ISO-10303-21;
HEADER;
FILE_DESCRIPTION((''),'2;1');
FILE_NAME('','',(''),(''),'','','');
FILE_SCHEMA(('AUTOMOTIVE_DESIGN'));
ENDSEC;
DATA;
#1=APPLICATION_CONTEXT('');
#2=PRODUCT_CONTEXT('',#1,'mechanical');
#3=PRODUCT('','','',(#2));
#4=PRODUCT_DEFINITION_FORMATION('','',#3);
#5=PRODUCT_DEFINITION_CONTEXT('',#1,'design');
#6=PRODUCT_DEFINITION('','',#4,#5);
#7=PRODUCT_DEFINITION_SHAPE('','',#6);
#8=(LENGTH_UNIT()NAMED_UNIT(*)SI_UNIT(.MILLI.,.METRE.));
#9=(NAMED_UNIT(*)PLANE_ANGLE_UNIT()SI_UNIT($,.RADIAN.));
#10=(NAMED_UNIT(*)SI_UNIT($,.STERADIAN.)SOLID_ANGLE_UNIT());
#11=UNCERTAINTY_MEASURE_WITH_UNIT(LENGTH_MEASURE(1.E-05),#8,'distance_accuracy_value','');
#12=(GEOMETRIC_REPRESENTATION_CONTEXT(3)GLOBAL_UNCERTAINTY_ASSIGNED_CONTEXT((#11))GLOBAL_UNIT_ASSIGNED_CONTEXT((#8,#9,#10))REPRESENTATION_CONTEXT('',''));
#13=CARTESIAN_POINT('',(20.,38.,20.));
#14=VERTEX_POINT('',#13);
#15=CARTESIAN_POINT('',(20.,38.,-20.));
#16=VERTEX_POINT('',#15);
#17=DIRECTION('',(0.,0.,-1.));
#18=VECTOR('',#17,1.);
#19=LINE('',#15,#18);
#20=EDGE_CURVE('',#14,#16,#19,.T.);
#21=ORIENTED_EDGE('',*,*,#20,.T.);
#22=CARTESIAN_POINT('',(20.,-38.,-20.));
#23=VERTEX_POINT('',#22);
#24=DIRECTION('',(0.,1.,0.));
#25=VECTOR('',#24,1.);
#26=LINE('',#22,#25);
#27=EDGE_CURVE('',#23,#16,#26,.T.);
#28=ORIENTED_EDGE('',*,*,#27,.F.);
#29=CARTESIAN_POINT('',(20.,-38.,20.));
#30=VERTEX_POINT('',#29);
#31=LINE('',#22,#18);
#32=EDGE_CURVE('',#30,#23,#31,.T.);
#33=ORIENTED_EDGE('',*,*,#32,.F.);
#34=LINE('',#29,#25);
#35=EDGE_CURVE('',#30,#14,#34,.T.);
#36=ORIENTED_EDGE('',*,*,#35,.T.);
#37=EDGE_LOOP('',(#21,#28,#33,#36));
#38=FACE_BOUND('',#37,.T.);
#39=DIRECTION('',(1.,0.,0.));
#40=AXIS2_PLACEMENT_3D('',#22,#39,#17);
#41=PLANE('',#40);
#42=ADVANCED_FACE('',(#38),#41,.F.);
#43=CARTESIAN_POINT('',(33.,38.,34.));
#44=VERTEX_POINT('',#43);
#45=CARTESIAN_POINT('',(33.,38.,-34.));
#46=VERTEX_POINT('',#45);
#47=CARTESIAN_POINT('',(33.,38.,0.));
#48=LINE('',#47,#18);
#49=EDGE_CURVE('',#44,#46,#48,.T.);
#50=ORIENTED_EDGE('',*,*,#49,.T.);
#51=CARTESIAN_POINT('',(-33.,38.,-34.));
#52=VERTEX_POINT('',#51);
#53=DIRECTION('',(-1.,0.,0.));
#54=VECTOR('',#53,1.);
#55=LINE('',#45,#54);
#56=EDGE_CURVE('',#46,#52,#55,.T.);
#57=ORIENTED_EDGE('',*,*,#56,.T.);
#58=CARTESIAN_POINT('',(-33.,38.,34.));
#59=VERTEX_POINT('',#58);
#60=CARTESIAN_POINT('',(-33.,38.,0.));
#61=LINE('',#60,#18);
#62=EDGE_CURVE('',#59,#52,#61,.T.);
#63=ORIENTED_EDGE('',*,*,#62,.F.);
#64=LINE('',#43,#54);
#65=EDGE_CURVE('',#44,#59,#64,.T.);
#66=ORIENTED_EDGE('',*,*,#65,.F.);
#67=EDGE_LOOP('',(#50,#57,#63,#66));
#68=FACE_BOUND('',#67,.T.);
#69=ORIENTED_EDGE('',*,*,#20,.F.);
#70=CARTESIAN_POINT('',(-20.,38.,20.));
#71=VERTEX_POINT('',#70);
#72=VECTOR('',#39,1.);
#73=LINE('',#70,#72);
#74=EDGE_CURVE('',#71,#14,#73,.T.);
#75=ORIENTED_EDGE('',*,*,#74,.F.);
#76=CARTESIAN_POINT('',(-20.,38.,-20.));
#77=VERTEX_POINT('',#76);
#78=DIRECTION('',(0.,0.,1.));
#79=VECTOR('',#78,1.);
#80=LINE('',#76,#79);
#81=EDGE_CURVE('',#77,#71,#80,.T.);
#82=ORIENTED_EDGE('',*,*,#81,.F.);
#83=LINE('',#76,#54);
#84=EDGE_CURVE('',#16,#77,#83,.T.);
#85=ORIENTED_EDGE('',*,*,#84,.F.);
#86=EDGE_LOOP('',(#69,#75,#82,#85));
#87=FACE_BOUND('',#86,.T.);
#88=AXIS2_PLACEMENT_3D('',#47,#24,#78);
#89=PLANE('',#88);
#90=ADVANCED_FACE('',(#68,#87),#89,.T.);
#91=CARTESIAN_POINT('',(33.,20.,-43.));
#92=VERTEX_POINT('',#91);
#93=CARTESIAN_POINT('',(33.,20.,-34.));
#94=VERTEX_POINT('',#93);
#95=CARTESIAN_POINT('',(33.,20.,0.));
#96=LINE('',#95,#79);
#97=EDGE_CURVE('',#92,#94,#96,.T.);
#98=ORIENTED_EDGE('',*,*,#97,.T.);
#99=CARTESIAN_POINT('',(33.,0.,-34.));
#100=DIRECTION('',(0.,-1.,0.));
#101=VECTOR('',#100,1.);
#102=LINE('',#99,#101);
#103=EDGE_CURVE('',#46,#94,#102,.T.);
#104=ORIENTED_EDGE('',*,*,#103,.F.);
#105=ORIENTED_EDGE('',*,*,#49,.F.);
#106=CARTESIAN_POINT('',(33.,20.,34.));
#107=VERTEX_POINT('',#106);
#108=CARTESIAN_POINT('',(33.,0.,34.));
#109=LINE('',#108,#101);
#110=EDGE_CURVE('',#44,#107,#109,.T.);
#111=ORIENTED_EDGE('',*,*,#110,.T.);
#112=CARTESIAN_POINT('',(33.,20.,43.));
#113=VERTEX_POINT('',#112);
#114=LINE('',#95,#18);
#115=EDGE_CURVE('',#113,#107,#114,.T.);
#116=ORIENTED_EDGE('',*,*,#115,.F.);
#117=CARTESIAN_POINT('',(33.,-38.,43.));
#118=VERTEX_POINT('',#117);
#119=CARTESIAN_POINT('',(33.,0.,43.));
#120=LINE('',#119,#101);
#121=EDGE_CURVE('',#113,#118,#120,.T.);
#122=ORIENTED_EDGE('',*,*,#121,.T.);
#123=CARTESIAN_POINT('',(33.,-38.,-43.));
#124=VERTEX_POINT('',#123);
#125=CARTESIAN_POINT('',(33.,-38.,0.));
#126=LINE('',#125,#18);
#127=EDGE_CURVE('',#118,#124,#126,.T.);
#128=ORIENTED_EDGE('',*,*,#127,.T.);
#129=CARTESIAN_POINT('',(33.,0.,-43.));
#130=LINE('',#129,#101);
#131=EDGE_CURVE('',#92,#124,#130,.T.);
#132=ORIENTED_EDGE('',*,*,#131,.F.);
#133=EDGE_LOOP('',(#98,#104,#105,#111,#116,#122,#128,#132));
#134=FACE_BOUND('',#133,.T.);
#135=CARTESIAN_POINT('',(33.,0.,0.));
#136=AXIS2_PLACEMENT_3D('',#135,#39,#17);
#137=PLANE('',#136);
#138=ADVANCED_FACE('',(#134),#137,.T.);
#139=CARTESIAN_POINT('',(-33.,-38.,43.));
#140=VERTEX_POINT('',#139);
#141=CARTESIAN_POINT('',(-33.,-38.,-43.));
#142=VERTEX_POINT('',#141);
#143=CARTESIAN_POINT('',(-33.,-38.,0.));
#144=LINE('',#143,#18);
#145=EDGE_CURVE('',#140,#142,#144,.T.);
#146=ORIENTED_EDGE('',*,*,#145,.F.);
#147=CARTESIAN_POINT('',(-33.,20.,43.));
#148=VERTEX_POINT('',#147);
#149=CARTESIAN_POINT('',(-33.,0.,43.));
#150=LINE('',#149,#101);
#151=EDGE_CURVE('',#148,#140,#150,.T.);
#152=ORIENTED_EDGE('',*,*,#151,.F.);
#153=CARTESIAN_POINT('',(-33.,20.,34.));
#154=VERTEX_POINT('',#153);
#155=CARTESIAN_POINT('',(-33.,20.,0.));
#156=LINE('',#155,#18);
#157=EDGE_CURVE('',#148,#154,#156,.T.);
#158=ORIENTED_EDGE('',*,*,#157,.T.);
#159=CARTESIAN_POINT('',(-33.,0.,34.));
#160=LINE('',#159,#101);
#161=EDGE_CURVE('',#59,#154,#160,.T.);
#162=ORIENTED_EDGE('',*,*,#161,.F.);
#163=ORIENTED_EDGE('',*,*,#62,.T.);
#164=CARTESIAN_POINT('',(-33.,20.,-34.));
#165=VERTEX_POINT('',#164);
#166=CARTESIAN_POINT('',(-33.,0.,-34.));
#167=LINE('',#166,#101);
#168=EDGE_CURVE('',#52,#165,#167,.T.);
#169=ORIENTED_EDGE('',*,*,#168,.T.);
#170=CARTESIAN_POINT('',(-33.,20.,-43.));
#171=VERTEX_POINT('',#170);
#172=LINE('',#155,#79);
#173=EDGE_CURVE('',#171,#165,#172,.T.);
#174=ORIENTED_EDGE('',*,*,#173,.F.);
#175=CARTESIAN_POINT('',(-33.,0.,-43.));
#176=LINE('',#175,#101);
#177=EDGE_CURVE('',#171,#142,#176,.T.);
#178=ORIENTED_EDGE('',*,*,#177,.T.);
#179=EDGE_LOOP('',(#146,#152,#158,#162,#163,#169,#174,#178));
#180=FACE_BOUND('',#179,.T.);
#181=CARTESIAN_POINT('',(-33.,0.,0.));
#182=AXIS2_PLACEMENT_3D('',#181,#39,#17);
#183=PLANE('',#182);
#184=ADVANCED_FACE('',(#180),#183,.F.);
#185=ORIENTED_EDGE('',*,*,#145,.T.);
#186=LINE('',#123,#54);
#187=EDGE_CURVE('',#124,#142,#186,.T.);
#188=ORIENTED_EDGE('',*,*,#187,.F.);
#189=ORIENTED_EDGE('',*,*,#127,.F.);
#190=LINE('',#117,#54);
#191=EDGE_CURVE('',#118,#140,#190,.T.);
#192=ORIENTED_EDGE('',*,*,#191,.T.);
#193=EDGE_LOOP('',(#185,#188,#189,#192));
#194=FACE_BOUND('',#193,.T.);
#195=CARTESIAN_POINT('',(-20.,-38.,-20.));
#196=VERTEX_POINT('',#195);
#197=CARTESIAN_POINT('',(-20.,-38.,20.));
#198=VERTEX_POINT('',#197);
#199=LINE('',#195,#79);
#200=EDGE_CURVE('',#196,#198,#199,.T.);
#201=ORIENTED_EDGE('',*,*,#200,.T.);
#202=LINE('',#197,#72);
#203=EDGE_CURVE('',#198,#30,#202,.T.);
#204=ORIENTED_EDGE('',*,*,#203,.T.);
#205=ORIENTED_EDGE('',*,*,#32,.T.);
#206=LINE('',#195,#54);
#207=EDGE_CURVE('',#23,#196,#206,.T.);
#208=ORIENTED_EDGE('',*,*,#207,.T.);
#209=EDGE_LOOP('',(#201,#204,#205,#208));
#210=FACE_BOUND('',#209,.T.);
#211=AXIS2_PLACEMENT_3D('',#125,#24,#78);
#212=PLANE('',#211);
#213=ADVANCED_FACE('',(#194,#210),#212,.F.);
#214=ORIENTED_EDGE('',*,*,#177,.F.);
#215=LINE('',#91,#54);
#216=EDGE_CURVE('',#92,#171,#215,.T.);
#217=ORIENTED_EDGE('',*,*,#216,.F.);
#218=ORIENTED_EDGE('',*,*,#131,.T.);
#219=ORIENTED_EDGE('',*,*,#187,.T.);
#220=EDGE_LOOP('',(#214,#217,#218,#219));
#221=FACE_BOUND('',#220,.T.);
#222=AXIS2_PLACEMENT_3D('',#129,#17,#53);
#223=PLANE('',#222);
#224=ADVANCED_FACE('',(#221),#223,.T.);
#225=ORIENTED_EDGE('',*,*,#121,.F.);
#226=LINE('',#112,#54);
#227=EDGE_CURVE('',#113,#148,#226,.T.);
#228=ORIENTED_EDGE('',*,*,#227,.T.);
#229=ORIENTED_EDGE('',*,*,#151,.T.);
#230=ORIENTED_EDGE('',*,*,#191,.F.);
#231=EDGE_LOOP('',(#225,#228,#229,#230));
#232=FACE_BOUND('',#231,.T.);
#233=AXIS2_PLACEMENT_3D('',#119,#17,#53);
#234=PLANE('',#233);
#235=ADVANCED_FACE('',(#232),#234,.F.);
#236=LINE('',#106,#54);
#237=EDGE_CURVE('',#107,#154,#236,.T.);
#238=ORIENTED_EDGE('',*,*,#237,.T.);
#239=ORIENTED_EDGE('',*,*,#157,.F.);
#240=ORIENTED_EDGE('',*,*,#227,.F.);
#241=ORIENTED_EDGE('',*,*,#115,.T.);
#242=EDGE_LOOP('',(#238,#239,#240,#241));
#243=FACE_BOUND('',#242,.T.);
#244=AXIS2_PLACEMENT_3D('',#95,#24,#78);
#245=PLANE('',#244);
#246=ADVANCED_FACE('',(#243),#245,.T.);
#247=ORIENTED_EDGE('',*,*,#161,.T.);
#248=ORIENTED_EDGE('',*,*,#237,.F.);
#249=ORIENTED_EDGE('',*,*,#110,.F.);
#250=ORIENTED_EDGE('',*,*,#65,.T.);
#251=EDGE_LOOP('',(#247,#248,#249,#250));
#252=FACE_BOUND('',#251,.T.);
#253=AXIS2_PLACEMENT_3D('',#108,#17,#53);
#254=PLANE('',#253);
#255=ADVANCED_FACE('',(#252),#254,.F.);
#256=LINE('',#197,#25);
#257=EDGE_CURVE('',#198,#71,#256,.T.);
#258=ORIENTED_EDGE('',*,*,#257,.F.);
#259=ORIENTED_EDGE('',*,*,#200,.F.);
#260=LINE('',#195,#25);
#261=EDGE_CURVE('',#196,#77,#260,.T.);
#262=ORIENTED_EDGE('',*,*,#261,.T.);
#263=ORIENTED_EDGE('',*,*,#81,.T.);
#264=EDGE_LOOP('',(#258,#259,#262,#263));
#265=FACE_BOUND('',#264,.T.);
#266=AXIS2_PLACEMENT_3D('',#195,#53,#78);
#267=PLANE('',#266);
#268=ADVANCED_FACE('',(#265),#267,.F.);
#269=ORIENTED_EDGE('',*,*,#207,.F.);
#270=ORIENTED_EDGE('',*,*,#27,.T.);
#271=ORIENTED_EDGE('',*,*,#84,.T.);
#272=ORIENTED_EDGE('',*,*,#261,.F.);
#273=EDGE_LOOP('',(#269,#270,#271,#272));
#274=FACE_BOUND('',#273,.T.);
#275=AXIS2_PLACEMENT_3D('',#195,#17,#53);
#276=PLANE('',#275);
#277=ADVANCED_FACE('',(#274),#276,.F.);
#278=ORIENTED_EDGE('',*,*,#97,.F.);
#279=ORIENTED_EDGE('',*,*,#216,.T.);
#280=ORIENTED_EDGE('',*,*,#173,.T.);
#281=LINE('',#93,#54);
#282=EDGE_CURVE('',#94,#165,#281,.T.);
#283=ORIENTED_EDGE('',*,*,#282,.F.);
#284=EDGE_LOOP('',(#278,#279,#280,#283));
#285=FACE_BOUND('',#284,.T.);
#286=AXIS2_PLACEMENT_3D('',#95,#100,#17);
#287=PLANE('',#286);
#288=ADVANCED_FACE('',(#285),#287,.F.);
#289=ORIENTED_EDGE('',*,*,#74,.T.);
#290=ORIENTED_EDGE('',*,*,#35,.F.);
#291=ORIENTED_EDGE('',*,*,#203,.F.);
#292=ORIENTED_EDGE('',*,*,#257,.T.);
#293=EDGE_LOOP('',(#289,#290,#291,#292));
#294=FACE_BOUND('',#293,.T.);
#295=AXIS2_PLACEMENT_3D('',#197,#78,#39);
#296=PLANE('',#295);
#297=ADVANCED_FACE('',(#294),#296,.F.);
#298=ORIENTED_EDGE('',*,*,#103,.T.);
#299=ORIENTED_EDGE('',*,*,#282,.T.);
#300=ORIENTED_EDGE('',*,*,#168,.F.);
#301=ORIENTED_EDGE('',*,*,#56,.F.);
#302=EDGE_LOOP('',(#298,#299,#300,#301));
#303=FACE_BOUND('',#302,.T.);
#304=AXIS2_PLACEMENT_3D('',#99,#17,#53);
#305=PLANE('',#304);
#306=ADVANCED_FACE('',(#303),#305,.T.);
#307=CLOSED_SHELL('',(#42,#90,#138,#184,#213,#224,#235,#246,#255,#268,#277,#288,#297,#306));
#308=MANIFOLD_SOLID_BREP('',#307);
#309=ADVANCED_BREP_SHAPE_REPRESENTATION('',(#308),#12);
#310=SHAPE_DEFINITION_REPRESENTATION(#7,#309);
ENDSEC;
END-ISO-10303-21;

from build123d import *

# Parameters (mm, degrees)
SALIENTE_EXTRUIR1_DEPTH = 33
CROQUIS2_W              = 40
CROQUIS2_H              = 40
CORTAR_EXTRUIR1_DEPTH   = 94.348808241


with BuildPart() as part:
    # Croquis1 → Saliente-Extruir1 (new, symmetric)
    with BuildSketch(Plane(origin=(0, 0, 0), x_dir=(0, 0, -1), z_dir=(1, 0, 0))):
        Polygon((34, 38), (-34, 38), (-34, 20), (-43, 20), (-43, -38), (43, -38), (43, 20), (34, 20), align=None)
    extrude(amount=SALIENTE_EXTRUIR1_DEPTH, both=True)

    # Croquis2 → Cortar-Extruir1 (cut, through all)
    with BuildSketch(Plane(origin=(0, 38, 0), x_dir=(1, 0, 0), z_dir=(0, 1, 0))):
        Rectangle(CROQUIS2_W, CROQUIS2_H)
    extrude(amount=-CORTAR_EXTRUIR1_DEPTH, mode=Mode.SUBTRACT)


solid = part.part
